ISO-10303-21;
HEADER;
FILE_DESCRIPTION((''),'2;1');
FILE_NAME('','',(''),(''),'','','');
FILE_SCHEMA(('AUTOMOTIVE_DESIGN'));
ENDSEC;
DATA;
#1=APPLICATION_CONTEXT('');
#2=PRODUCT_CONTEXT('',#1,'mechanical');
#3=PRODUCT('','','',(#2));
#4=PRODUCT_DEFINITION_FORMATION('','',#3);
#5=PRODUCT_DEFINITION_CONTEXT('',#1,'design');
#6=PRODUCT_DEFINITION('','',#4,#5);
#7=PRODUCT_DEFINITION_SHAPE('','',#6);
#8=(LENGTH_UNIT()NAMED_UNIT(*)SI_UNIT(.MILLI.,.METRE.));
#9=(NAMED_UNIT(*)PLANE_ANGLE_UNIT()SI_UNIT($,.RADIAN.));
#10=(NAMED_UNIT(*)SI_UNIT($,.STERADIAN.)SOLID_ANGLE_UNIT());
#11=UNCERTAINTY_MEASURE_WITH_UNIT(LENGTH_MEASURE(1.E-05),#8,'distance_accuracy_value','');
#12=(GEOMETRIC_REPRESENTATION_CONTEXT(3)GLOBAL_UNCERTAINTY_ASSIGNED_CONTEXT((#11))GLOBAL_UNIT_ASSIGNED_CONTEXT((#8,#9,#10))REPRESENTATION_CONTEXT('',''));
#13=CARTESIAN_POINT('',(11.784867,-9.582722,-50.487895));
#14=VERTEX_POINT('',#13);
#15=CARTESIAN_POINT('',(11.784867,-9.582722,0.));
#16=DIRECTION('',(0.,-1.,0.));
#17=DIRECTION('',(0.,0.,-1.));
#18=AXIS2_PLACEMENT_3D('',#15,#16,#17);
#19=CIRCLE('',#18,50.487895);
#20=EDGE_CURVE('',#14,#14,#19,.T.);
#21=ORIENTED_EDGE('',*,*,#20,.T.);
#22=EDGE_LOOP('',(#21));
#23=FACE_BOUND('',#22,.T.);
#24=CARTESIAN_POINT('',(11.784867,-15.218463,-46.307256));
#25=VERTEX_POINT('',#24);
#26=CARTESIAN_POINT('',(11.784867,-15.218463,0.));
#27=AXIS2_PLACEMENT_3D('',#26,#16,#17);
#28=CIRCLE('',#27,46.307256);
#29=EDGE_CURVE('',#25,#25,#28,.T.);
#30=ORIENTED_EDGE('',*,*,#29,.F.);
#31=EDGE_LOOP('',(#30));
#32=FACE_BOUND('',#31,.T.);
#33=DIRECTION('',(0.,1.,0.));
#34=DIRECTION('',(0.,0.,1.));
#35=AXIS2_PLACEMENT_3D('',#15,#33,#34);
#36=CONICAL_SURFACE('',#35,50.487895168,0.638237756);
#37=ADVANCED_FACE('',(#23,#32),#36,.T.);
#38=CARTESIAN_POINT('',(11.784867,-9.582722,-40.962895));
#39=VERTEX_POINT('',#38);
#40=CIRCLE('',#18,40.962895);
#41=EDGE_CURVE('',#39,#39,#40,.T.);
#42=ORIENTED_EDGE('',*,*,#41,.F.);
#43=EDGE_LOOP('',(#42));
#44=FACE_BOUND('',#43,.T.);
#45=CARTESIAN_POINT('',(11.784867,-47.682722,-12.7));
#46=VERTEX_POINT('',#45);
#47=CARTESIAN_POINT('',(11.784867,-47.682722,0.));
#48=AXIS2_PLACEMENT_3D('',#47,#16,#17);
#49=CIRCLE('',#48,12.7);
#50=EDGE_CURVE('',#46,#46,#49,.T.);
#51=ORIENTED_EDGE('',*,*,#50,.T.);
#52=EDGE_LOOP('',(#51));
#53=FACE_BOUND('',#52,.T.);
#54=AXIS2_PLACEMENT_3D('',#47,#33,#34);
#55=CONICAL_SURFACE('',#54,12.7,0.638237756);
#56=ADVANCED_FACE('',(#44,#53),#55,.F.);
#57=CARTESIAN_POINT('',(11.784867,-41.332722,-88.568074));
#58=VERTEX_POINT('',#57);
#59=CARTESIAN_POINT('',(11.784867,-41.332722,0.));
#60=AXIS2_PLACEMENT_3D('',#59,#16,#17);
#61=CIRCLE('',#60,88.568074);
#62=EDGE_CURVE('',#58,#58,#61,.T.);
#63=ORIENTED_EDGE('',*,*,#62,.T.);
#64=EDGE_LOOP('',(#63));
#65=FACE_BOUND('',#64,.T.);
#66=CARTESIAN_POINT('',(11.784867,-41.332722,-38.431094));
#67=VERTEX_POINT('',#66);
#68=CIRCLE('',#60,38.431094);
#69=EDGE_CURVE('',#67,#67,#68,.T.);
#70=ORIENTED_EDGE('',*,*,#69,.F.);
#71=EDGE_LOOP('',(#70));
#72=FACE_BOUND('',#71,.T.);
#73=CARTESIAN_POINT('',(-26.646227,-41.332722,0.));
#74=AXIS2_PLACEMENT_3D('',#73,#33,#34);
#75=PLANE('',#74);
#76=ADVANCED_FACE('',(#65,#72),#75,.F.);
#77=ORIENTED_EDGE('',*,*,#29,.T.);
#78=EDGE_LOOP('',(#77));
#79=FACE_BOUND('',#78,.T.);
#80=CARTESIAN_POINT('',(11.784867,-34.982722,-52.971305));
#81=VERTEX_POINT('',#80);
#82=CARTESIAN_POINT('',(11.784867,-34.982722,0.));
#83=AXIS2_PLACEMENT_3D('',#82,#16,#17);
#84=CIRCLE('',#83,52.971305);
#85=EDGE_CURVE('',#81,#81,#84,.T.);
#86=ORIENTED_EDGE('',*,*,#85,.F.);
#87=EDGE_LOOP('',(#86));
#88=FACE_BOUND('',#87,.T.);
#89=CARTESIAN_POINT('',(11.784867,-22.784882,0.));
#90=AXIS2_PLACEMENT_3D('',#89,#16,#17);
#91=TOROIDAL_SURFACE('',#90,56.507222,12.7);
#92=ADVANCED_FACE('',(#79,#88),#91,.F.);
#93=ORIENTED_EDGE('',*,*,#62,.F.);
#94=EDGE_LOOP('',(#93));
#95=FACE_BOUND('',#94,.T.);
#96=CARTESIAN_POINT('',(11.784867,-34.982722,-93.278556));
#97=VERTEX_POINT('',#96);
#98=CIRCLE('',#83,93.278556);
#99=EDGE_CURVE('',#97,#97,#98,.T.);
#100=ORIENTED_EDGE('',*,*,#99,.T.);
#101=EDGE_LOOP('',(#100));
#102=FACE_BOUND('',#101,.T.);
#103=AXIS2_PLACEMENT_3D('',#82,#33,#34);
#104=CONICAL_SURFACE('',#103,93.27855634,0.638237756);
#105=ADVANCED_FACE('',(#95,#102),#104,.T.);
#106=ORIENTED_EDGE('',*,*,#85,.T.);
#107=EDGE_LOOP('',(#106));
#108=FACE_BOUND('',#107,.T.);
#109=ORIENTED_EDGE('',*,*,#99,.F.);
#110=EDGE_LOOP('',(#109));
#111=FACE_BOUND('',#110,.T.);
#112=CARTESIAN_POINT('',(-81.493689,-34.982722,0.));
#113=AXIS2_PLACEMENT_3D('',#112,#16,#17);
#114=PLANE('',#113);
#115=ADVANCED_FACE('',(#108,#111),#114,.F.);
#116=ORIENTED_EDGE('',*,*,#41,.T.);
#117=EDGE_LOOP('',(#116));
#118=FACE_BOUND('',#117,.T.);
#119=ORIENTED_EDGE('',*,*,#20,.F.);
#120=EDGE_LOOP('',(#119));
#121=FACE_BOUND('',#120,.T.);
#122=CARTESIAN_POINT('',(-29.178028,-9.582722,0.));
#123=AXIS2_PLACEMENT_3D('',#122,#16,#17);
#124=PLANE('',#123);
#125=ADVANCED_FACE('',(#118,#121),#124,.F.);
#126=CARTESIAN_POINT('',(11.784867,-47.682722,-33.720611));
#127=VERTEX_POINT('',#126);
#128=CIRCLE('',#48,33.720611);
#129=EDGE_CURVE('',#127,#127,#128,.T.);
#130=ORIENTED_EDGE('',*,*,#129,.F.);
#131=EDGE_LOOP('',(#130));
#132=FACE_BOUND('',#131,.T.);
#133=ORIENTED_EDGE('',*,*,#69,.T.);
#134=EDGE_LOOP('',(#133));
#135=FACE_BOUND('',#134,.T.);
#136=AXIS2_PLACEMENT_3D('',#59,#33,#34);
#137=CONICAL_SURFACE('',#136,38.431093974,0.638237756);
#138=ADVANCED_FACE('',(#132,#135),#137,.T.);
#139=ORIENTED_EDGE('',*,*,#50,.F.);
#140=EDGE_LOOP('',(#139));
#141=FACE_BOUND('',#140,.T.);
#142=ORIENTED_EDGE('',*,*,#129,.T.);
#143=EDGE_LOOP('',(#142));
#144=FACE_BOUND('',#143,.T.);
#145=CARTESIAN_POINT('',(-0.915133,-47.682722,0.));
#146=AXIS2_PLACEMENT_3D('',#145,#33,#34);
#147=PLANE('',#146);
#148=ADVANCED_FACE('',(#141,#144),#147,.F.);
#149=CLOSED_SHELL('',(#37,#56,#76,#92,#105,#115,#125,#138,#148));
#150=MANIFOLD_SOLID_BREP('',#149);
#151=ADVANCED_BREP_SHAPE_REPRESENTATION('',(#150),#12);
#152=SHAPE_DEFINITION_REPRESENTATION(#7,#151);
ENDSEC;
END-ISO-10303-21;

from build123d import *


with BuildPart() as part:
    # Sketch1 → Revolve1 (revolve)
    with BuildSketch(Plane.XY):
        with BuildLine():
            Line((-0.915133072, -47.682722084), (-21.935744519, -47.682722084))
            Line((-21.935744519, -47.682722084), (-26.646227047, -41.332722084))
            Line((-26.646227047, -41.332722084), (-76.783206885, -41.332722084))
            Line((-76.783206885, -41.332722084), (-81.493689413, -34.982722084))
            Line((-81.493689413, -34.982722084), (-41.186438296, -34.982722084))
            ThreePointArc((-41.186438296, -34.982722084), (-32.688024732, -26.842579107), (-34.522388815, -15.218463262))
            Line((-34.522388815, -15.218463262), (-38.70302824, -9.582722084))
            Line((-38.70302824, -9.582722084), (-29.17802824, -9.582722084))
            Line((-29.17802824, -9.582722084), (-0.915133072, -47.682722084))
        make_face()
    revolve(axis=Axis((11.784866928, -49.703724191, 0), (0, 1, 0)))


solid = part.part
